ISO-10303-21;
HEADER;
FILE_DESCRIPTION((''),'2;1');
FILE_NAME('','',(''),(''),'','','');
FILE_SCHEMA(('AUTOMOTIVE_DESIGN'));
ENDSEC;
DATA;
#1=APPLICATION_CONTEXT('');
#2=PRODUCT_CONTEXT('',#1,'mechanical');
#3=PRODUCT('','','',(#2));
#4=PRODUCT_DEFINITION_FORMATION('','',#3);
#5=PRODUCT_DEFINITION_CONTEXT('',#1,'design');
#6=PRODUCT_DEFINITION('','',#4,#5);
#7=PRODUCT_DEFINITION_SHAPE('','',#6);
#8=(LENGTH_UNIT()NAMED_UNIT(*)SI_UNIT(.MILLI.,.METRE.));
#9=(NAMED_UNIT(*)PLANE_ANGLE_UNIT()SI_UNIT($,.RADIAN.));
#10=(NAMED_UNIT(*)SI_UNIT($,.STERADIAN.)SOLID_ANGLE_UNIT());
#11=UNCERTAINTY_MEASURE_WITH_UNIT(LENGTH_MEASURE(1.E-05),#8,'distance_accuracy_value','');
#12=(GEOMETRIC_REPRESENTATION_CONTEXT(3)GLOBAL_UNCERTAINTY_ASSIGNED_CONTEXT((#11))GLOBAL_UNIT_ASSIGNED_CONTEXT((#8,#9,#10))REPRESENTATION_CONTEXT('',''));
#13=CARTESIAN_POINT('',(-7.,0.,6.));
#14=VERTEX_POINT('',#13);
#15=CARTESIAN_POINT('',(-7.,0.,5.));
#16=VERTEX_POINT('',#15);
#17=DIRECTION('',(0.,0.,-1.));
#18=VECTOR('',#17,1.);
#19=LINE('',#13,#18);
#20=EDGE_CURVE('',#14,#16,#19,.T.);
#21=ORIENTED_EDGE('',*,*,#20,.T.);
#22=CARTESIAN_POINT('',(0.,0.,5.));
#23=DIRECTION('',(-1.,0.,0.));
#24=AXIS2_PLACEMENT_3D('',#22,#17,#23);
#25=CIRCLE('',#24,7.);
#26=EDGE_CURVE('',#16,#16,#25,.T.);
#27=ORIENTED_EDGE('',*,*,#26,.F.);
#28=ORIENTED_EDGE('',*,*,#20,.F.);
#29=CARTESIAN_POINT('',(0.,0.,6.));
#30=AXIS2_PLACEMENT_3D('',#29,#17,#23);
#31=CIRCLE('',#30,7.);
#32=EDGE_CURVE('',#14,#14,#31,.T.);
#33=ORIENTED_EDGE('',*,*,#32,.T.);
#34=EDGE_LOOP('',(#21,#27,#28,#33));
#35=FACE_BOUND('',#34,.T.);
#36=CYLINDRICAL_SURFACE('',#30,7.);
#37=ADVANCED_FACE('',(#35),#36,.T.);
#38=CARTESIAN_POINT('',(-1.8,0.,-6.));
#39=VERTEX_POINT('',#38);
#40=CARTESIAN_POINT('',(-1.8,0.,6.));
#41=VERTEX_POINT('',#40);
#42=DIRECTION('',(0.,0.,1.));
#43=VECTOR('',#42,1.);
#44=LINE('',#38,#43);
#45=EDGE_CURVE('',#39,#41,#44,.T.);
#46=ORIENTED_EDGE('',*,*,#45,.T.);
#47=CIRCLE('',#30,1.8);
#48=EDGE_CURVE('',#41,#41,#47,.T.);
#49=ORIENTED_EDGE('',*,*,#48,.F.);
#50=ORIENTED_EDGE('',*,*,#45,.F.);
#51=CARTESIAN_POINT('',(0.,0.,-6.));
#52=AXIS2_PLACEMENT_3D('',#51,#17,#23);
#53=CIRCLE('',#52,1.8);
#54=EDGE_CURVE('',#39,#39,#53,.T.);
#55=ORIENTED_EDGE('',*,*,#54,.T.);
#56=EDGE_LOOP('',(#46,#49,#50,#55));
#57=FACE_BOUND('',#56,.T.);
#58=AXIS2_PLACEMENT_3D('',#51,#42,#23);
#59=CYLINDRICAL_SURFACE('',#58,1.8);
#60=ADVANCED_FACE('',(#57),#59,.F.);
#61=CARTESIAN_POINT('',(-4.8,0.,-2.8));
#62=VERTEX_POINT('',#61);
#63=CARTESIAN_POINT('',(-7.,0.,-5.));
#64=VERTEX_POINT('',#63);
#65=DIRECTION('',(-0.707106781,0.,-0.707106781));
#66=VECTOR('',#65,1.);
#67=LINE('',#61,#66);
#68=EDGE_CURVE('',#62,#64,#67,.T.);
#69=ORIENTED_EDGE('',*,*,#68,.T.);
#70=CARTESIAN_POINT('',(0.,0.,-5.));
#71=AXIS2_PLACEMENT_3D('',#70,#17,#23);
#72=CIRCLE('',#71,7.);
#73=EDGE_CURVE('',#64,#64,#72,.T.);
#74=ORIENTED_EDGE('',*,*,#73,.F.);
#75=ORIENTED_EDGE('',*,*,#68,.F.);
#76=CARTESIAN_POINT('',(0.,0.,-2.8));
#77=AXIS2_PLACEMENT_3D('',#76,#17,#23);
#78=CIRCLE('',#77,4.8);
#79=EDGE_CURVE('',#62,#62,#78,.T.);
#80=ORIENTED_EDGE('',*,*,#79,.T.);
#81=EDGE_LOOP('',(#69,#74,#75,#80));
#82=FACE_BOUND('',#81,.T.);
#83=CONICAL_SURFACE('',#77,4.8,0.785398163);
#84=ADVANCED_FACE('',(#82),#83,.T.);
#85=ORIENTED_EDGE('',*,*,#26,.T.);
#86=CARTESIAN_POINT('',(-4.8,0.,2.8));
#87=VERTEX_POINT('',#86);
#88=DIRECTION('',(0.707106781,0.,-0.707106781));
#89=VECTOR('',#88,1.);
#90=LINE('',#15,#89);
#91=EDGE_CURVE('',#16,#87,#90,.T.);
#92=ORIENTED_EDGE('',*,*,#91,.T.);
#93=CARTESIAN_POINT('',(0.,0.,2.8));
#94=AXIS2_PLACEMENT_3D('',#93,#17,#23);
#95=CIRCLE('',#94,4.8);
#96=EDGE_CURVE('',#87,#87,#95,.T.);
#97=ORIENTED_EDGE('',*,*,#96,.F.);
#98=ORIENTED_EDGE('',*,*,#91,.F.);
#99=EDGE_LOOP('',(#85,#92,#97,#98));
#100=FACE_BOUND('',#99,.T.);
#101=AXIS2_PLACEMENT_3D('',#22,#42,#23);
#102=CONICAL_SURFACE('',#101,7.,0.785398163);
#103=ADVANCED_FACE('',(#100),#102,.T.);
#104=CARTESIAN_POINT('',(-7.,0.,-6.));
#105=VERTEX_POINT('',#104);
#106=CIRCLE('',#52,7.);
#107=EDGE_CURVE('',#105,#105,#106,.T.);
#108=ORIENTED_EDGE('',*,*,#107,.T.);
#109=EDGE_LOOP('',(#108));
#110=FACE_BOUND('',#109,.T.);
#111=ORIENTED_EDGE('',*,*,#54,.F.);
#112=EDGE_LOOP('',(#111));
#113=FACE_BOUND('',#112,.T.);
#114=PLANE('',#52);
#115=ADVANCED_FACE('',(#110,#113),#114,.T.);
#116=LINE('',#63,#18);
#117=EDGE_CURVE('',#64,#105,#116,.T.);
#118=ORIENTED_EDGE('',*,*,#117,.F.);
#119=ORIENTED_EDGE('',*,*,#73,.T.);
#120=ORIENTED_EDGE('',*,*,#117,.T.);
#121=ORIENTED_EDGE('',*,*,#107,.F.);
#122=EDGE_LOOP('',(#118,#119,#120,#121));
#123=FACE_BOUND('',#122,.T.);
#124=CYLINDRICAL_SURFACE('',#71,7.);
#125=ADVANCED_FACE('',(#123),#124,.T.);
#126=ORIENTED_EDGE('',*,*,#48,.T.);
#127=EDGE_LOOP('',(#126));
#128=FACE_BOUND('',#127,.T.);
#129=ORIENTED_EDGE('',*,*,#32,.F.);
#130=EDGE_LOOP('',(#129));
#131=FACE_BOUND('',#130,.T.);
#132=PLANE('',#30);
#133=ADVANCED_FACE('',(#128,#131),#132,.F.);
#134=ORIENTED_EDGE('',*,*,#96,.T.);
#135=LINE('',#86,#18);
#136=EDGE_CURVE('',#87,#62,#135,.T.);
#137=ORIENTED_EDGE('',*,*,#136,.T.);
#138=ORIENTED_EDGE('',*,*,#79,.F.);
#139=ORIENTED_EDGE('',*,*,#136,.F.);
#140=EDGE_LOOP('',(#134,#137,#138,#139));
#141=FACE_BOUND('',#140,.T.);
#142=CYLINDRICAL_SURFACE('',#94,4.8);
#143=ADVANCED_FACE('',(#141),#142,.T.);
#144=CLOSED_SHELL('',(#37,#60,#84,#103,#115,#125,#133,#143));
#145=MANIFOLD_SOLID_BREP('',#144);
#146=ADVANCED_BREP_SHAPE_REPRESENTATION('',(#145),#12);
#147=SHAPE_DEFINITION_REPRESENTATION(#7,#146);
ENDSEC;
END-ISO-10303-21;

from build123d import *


with BuildPart() as f1:
    # F0 (on Front) → F1 (revolve)
    with BuildSketch(Plane.XZ):
        Polygon((-1.8, -6), (-1.8, 0), (-4.8, 0), (-4.8, -2.8), (-4.8, -6), align=None)
        Polygon((-4.8, 2.8), (-4.8, 6), (-7, 6), (-7, 5), align=None)
        Polygon((-1.8, 6), (-4.8, 6), (-4.8, 2.8), (-4.8, 0), (-1.8, 0), align=None)
        Polygon((-4.8, -6), (-4.8, -2.8), (-7, -5), (-7, -6), align=None)
    revolve(axis=Axis((0, 0, -0.768788), (0, 0, -1)))


solid = f1.part
